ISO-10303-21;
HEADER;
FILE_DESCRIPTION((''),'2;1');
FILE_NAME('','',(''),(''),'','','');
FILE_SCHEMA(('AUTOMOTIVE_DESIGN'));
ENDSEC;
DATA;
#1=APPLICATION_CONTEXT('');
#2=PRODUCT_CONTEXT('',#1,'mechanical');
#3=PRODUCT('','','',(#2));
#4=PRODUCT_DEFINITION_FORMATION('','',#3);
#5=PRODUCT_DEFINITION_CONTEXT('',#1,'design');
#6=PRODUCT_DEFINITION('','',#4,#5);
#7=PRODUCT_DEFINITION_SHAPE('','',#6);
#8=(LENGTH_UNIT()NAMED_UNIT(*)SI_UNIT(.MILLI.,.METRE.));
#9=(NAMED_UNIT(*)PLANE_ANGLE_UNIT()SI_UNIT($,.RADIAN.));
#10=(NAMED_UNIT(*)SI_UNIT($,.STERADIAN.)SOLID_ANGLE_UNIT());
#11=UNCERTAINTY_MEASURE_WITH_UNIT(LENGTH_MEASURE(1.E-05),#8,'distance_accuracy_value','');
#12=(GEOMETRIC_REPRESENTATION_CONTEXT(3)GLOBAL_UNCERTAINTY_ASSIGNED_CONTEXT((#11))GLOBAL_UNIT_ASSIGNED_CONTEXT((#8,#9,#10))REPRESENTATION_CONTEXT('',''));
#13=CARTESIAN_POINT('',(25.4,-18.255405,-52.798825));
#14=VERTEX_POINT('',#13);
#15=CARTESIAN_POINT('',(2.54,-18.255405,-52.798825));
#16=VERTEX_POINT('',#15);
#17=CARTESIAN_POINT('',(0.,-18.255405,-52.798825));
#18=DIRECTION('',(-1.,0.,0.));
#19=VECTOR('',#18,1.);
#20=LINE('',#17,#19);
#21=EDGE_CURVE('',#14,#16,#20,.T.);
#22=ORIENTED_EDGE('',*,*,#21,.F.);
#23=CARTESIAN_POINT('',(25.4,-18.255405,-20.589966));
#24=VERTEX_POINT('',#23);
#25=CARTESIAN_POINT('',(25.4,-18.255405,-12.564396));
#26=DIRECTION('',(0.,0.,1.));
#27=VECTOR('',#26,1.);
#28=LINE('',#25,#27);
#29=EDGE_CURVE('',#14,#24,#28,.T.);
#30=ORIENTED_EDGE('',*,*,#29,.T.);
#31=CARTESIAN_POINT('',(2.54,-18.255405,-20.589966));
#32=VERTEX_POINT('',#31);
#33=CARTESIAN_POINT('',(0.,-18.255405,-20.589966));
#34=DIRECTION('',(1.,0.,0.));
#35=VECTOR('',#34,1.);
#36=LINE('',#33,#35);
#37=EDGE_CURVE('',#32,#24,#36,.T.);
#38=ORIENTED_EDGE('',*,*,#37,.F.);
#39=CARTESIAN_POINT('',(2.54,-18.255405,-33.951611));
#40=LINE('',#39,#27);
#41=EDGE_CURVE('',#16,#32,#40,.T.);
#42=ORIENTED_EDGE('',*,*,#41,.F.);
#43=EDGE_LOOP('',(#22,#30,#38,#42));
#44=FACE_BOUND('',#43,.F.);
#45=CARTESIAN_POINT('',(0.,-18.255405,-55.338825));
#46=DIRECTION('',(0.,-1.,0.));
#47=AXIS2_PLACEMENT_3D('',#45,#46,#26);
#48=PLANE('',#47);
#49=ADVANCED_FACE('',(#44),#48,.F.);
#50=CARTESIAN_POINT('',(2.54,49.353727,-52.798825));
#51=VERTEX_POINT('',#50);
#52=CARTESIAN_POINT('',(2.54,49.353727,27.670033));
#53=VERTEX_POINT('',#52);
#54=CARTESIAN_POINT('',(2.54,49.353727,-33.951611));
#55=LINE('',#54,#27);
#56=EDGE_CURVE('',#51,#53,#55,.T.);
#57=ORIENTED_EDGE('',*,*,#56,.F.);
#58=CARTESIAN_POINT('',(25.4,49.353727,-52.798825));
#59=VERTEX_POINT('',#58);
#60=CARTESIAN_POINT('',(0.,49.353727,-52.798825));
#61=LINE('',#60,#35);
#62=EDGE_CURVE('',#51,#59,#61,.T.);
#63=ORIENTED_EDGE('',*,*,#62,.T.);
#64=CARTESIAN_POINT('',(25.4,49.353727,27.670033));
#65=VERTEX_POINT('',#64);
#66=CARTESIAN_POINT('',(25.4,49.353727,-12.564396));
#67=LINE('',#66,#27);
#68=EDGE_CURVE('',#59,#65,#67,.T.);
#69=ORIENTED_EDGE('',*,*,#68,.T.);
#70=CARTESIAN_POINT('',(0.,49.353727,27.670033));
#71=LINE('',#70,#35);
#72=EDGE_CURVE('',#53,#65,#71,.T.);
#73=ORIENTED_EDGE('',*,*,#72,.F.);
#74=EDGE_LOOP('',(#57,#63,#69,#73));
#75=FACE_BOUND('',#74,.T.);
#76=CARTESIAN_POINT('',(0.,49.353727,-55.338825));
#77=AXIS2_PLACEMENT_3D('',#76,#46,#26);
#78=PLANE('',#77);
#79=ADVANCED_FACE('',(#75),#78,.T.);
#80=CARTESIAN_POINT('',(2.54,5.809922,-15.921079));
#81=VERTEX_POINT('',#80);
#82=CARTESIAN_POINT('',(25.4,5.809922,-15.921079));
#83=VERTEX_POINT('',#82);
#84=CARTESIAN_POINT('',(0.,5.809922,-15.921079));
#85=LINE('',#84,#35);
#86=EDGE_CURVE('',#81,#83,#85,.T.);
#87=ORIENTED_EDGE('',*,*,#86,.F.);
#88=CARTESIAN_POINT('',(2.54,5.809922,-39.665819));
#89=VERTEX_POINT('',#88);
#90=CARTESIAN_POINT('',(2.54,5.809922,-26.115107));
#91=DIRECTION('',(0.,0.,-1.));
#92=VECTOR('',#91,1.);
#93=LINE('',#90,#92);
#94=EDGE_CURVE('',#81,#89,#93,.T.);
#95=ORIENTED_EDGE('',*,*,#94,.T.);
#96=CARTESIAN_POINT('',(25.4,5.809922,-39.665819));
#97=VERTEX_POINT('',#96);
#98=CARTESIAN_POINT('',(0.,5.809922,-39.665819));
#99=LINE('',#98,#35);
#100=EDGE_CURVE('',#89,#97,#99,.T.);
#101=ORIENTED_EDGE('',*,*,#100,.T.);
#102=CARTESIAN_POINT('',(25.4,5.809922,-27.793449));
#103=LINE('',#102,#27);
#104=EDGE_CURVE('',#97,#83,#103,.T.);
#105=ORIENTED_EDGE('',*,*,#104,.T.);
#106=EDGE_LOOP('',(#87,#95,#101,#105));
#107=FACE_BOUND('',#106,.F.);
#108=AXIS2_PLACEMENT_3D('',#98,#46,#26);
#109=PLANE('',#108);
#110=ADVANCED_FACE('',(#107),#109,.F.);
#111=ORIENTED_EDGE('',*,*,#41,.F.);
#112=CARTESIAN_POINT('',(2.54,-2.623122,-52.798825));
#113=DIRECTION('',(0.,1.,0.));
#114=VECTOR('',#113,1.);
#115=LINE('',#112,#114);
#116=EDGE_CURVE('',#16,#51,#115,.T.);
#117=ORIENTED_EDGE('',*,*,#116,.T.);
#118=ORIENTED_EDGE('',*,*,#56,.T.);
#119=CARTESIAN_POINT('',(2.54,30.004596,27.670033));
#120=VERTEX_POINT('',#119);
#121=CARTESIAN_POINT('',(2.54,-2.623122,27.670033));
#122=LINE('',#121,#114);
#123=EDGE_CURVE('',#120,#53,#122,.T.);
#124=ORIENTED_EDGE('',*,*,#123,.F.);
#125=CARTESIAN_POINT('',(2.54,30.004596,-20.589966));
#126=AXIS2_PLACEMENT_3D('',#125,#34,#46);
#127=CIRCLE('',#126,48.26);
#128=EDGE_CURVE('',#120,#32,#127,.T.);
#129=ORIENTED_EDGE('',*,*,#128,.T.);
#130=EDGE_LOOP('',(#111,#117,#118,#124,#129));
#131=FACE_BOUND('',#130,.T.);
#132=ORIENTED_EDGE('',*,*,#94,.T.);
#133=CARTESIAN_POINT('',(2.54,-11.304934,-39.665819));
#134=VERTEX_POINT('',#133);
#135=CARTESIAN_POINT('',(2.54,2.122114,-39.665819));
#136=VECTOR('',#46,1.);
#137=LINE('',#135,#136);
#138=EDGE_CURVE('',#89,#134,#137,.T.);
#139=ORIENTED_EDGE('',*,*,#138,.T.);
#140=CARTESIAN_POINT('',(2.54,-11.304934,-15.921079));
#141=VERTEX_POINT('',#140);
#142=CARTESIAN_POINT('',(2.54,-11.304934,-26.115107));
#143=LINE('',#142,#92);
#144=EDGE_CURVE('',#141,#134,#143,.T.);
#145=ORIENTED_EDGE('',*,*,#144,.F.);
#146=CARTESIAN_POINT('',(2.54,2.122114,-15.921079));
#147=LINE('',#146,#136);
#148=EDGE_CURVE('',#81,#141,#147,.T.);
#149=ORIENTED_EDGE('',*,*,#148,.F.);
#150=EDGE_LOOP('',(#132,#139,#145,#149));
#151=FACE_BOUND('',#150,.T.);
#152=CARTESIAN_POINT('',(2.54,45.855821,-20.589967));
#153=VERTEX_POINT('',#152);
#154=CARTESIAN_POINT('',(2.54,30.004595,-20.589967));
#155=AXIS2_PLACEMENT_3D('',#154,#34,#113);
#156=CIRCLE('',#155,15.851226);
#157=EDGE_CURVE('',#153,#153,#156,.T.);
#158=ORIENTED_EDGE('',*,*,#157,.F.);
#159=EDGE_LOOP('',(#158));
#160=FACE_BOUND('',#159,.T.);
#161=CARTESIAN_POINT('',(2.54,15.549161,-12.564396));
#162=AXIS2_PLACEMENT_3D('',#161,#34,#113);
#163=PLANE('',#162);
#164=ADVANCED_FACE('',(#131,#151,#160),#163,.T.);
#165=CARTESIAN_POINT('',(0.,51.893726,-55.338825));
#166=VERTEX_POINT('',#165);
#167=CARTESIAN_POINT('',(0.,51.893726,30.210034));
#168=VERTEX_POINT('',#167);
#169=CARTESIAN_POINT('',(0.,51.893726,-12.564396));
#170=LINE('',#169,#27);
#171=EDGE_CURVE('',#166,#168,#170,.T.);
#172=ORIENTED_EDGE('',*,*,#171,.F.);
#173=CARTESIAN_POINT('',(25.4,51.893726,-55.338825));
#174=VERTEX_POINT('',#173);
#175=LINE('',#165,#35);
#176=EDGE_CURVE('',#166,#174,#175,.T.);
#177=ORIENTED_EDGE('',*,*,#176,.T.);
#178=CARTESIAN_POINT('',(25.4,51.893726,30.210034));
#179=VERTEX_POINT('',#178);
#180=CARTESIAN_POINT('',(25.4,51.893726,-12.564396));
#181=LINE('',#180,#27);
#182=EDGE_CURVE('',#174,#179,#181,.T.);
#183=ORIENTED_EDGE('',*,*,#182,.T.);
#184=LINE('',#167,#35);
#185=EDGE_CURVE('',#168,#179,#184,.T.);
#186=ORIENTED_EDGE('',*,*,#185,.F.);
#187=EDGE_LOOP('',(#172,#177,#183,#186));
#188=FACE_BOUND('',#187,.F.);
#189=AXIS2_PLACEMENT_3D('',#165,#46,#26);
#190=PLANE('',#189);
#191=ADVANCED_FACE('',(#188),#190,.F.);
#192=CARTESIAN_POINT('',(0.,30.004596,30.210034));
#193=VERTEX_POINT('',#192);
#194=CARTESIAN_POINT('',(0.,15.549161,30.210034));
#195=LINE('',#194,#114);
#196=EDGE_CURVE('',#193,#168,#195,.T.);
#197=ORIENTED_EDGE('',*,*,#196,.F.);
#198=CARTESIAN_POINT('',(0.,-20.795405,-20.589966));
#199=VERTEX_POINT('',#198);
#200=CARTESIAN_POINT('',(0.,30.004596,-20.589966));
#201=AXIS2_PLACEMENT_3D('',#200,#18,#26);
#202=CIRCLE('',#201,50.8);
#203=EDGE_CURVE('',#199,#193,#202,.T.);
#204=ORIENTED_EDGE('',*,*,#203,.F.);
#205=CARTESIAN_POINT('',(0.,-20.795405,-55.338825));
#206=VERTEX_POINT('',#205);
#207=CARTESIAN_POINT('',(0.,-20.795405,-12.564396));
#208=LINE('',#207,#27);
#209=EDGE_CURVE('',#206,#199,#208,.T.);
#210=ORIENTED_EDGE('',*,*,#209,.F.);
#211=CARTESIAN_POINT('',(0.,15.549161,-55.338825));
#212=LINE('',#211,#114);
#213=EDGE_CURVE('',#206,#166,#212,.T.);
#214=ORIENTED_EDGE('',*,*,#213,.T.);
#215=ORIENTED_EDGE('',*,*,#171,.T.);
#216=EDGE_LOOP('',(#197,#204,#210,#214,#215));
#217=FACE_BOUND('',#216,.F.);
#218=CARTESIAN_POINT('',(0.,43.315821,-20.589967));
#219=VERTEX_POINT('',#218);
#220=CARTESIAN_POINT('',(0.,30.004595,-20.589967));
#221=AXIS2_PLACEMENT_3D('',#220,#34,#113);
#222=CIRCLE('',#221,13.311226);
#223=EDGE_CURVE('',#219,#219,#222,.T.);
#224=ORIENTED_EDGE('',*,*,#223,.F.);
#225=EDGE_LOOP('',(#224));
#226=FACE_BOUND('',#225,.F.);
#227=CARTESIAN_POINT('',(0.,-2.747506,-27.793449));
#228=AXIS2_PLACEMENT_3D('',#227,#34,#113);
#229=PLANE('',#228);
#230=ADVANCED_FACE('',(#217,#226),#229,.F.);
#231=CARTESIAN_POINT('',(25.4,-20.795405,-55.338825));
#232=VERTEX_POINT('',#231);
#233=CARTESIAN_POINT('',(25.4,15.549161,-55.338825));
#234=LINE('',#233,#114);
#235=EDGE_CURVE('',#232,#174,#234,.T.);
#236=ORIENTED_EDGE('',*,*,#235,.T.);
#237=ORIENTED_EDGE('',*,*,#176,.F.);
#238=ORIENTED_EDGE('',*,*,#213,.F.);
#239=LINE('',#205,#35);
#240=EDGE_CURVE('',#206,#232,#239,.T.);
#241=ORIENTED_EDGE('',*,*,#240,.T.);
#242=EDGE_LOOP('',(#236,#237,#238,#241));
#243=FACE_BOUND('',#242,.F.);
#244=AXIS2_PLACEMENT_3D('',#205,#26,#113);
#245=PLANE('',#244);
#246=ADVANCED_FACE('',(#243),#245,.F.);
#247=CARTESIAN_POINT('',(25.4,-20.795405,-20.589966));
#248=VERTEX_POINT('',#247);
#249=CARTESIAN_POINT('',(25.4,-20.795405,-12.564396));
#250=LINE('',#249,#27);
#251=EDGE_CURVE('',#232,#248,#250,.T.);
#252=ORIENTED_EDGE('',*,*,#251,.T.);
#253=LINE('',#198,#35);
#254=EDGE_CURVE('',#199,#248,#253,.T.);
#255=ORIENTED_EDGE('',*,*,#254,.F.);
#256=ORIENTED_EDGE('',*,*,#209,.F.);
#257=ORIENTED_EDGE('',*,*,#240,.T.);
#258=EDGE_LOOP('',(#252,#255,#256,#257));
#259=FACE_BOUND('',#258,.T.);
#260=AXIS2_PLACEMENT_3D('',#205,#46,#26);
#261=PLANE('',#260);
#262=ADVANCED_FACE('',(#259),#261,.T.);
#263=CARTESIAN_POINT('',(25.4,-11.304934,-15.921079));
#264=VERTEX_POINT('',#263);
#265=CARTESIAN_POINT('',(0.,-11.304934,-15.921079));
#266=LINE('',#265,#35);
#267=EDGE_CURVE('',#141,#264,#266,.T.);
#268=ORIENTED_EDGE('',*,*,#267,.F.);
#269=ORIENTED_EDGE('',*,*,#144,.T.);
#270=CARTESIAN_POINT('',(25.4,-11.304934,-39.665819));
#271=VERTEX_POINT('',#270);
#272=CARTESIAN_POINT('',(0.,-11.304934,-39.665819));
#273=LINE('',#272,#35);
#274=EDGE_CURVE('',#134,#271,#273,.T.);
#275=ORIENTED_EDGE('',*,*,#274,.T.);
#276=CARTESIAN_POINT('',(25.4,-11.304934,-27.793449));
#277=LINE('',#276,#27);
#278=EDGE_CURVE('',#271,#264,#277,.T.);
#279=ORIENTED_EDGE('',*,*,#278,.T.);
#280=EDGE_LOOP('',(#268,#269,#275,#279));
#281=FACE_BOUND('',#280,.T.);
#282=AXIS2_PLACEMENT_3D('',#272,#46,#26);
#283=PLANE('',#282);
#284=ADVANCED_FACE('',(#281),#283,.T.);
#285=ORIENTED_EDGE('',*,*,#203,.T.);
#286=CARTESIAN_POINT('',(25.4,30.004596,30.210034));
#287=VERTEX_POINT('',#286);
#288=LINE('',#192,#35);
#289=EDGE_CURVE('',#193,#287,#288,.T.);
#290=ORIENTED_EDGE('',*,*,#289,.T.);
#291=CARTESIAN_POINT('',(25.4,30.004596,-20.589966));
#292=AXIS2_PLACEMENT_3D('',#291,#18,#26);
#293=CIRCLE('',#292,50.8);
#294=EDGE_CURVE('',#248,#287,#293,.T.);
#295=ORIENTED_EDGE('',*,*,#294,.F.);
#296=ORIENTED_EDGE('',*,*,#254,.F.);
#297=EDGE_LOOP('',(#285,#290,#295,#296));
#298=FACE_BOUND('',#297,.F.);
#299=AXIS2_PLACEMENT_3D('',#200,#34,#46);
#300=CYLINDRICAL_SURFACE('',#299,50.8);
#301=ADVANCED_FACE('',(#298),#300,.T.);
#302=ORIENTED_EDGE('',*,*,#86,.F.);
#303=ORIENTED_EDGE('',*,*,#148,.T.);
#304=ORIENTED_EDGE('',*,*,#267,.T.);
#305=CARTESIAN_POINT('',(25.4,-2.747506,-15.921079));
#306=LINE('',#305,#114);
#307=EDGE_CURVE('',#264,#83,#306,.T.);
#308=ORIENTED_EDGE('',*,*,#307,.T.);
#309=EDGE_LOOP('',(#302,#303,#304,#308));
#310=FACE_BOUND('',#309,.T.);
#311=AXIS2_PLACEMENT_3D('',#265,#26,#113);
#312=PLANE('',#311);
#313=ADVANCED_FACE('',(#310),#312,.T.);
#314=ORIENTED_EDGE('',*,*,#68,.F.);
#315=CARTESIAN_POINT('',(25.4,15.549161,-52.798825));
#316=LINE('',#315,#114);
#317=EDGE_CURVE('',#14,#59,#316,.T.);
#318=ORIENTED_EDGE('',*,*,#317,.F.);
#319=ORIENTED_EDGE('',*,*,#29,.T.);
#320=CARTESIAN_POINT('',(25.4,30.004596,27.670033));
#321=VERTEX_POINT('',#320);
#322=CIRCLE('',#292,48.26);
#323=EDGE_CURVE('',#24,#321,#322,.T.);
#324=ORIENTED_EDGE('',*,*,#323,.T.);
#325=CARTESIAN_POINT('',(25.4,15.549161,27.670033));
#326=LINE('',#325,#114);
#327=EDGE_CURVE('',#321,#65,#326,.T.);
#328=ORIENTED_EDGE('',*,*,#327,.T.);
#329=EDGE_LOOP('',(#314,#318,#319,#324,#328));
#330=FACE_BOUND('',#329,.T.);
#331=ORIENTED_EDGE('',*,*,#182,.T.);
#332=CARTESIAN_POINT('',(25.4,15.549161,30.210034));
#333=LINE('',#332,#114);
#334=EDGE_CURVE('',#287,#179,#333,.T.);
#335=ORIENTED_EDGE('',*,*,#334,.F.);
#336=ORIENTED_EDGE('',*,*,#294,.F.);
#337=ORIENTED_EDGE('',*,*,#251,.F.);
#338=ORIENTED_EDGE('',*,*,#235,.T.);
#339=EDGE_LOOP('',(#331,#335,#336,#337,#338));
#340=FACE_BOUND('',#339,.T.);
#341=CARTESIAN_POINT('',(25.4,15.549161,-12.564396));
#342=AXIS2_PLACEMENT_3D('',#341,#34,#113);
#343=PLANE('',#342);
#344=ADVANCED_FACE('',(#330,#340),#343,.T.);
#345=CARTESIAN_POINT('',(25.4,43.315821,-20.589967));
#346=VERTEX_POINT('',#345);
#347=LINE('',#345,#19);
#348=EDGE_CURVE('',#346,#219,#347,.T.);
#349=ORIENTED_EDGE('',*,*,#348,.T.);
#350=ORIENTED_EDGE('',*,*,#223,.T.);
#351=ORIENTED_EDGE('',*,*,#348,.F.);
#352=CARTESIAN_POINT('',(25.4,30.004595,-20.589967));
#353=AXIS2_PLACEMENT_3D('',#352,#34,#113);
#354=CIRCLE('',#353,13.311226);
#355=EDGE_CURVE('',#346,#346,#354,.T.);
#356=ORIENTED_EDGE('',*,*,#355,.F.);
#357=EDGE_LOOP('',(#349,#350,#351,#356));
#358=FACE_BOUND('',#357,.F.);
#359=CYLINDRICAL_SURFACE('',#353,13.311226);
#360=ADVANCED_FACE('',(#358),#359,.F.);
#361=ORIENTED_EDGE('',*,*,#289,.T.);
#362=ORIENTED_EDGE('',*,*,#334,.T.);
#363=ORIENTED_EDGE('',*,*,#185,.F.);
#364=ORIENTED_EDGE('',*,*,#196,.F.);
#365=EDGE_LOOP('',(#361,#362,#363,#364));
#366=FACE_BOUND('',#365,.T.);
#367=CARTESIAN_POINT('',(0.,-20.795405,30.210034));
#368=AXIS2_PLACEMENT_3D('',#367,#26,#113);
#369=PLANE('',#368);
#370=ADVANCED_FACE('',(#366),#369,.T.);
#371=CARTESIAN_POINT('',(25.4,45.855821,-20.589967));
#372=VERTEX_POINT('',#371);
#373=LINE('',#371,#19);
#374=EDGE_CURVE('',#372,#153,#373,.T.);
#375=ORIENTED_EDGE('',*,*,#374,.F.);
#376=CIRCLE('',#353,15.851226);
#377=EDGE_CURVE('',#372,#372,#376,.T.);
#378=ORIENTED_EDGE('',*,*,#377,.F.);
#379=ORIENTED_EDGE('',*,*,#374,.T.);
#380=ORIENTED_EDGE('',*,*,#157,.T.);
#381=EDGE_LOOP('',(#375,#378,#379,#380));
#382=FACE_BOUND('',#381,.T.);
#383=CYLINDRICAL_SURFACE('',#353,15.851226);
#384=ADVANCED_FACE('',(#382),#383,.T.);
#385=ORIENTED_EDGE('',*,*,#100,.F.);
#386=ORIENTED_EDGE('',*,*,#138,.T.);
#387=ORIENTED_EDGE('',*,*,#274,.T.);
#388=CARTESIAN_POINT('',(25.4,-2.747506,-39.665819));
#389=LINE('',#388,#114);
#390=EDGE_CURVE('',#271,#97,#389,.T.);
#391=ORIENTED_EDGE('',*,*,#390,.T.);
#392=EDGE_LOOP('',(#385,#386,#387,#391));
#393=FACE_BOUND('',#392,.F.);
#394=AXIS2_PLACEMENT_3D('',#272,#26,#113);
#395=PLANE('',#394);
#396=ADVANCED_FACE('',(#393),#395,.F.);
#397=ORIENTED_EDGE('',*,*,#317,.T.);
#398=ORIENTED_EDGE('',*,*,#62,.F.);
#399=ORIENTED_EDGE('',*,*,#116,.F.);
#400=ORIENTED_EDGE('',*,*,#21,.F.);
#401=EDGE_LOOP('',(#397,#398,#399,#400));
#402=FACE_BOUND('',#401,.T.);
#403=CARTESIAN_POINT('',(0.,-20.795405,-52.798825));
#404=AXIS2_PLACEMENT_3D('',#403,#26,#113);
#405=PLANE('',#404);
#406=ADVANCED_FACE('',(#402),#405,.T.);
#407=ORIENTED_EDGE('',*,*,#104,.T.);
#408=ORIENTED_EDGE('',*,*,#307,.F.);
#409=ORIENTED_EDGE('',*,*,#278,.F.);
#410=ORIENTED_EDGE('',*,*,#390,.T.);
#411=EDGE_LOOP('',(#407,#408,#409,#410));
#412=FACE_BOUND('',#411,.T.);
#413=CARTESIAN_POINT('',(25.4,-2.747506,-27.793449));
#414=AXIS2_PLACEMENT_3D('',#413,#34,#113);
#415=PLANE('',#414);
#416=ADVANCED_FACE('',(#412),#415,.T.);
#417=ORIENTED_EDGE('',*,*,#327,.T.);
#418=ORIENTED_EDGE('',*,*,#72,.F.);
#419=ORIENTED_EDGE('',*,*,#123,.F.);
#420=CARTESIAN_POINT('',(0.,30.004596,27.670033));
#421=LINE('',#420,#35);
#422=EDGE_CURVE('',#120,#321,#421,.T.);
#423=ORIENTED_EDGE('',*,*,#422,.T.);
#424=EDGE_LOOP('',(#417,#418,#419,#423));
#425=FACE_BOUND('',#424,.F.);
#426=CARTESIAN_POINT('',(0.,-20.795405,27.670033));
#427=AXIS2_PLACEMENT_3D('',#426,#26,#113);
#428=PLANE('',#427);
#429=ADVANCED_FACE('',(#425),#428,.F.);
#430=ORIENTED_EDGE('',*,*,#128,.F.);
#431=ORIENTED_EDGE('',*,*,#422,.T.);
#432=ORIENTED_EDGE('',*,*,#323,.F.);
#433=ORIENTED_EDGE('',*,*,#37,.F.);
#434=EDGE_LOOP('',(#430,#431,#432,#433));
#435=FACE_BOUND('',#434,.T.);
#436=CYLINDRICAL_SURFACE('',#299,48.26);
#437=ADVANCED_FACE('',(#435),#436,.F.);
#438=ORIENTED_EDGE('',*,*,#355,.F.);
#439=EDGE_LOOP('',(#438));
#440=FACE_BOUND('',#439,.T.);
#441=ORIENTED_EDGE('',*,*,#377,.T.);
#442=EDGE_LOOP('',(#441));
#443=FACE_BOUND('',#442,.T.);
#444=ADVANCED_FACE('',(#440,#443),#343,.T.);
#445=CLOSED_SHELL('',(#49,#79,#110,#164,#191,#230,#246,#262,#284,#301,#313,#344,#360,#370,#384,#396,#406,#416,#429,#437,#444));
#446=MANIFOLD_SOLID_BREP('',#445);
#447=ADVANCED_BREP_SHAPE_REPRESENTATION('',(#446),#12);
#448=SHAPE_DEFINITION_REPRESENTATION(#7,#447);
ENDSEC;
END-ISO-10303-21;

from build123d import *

# Parameters (mm, degrees)
F0_W     = 72.689131
F0_H     = 85.548859
F1_DEPTH = 25.4
F2_R     = 50.8
F3_R     = 13.311226
F4_DEPTH = 25.4
F5_T     = -2.54
F6_W     = 17.114856
F6_H     = 23.744739
F7_DEPTH = 25.4


with BuildPart() as f1:
    # F0 (on Right) → F1 (new body)
    with BuildSketch(Plane.YZ):
        with Locations((15.549161, -12.564396)):
            Rectangle(F0_W, F0_H)
    extrude(amount=F1_DEPTH)

    # F2
    f2_edges = [f1.edges().sort_by_distance(p)[0] for p in [
        (12.7, -20.795405, 30.210033),
    ]]
    fillet(f2_edges, radius=F2_R)

    # F3 (on face) → F4 (cut)
    with BuildSketch(Plane.YZ.offset(25.4)):
        with Locations((30.004595, -20.589967)):
            Circle(F3_R)
    extrude(amount=-F4_DEPTH, mode=Mode.SUBTRACT)

    # F5
    f5_openings = [f1.faces().sort_by_distance(p)[0] for p in [
        (25.4, 16.684078, -15.097146),
    ]]
    offset(amount=F5_T, openings=f5_openings)

    # F6 (on Right) → F7 (join)
    with BuildSketch(Plane.YZ):
        with Locations((-2.747506, -27.793449)):
            Rectangle(F6_W, F6_H)
    extrude(amount=F7_DEPTH)


solid = f1.part
